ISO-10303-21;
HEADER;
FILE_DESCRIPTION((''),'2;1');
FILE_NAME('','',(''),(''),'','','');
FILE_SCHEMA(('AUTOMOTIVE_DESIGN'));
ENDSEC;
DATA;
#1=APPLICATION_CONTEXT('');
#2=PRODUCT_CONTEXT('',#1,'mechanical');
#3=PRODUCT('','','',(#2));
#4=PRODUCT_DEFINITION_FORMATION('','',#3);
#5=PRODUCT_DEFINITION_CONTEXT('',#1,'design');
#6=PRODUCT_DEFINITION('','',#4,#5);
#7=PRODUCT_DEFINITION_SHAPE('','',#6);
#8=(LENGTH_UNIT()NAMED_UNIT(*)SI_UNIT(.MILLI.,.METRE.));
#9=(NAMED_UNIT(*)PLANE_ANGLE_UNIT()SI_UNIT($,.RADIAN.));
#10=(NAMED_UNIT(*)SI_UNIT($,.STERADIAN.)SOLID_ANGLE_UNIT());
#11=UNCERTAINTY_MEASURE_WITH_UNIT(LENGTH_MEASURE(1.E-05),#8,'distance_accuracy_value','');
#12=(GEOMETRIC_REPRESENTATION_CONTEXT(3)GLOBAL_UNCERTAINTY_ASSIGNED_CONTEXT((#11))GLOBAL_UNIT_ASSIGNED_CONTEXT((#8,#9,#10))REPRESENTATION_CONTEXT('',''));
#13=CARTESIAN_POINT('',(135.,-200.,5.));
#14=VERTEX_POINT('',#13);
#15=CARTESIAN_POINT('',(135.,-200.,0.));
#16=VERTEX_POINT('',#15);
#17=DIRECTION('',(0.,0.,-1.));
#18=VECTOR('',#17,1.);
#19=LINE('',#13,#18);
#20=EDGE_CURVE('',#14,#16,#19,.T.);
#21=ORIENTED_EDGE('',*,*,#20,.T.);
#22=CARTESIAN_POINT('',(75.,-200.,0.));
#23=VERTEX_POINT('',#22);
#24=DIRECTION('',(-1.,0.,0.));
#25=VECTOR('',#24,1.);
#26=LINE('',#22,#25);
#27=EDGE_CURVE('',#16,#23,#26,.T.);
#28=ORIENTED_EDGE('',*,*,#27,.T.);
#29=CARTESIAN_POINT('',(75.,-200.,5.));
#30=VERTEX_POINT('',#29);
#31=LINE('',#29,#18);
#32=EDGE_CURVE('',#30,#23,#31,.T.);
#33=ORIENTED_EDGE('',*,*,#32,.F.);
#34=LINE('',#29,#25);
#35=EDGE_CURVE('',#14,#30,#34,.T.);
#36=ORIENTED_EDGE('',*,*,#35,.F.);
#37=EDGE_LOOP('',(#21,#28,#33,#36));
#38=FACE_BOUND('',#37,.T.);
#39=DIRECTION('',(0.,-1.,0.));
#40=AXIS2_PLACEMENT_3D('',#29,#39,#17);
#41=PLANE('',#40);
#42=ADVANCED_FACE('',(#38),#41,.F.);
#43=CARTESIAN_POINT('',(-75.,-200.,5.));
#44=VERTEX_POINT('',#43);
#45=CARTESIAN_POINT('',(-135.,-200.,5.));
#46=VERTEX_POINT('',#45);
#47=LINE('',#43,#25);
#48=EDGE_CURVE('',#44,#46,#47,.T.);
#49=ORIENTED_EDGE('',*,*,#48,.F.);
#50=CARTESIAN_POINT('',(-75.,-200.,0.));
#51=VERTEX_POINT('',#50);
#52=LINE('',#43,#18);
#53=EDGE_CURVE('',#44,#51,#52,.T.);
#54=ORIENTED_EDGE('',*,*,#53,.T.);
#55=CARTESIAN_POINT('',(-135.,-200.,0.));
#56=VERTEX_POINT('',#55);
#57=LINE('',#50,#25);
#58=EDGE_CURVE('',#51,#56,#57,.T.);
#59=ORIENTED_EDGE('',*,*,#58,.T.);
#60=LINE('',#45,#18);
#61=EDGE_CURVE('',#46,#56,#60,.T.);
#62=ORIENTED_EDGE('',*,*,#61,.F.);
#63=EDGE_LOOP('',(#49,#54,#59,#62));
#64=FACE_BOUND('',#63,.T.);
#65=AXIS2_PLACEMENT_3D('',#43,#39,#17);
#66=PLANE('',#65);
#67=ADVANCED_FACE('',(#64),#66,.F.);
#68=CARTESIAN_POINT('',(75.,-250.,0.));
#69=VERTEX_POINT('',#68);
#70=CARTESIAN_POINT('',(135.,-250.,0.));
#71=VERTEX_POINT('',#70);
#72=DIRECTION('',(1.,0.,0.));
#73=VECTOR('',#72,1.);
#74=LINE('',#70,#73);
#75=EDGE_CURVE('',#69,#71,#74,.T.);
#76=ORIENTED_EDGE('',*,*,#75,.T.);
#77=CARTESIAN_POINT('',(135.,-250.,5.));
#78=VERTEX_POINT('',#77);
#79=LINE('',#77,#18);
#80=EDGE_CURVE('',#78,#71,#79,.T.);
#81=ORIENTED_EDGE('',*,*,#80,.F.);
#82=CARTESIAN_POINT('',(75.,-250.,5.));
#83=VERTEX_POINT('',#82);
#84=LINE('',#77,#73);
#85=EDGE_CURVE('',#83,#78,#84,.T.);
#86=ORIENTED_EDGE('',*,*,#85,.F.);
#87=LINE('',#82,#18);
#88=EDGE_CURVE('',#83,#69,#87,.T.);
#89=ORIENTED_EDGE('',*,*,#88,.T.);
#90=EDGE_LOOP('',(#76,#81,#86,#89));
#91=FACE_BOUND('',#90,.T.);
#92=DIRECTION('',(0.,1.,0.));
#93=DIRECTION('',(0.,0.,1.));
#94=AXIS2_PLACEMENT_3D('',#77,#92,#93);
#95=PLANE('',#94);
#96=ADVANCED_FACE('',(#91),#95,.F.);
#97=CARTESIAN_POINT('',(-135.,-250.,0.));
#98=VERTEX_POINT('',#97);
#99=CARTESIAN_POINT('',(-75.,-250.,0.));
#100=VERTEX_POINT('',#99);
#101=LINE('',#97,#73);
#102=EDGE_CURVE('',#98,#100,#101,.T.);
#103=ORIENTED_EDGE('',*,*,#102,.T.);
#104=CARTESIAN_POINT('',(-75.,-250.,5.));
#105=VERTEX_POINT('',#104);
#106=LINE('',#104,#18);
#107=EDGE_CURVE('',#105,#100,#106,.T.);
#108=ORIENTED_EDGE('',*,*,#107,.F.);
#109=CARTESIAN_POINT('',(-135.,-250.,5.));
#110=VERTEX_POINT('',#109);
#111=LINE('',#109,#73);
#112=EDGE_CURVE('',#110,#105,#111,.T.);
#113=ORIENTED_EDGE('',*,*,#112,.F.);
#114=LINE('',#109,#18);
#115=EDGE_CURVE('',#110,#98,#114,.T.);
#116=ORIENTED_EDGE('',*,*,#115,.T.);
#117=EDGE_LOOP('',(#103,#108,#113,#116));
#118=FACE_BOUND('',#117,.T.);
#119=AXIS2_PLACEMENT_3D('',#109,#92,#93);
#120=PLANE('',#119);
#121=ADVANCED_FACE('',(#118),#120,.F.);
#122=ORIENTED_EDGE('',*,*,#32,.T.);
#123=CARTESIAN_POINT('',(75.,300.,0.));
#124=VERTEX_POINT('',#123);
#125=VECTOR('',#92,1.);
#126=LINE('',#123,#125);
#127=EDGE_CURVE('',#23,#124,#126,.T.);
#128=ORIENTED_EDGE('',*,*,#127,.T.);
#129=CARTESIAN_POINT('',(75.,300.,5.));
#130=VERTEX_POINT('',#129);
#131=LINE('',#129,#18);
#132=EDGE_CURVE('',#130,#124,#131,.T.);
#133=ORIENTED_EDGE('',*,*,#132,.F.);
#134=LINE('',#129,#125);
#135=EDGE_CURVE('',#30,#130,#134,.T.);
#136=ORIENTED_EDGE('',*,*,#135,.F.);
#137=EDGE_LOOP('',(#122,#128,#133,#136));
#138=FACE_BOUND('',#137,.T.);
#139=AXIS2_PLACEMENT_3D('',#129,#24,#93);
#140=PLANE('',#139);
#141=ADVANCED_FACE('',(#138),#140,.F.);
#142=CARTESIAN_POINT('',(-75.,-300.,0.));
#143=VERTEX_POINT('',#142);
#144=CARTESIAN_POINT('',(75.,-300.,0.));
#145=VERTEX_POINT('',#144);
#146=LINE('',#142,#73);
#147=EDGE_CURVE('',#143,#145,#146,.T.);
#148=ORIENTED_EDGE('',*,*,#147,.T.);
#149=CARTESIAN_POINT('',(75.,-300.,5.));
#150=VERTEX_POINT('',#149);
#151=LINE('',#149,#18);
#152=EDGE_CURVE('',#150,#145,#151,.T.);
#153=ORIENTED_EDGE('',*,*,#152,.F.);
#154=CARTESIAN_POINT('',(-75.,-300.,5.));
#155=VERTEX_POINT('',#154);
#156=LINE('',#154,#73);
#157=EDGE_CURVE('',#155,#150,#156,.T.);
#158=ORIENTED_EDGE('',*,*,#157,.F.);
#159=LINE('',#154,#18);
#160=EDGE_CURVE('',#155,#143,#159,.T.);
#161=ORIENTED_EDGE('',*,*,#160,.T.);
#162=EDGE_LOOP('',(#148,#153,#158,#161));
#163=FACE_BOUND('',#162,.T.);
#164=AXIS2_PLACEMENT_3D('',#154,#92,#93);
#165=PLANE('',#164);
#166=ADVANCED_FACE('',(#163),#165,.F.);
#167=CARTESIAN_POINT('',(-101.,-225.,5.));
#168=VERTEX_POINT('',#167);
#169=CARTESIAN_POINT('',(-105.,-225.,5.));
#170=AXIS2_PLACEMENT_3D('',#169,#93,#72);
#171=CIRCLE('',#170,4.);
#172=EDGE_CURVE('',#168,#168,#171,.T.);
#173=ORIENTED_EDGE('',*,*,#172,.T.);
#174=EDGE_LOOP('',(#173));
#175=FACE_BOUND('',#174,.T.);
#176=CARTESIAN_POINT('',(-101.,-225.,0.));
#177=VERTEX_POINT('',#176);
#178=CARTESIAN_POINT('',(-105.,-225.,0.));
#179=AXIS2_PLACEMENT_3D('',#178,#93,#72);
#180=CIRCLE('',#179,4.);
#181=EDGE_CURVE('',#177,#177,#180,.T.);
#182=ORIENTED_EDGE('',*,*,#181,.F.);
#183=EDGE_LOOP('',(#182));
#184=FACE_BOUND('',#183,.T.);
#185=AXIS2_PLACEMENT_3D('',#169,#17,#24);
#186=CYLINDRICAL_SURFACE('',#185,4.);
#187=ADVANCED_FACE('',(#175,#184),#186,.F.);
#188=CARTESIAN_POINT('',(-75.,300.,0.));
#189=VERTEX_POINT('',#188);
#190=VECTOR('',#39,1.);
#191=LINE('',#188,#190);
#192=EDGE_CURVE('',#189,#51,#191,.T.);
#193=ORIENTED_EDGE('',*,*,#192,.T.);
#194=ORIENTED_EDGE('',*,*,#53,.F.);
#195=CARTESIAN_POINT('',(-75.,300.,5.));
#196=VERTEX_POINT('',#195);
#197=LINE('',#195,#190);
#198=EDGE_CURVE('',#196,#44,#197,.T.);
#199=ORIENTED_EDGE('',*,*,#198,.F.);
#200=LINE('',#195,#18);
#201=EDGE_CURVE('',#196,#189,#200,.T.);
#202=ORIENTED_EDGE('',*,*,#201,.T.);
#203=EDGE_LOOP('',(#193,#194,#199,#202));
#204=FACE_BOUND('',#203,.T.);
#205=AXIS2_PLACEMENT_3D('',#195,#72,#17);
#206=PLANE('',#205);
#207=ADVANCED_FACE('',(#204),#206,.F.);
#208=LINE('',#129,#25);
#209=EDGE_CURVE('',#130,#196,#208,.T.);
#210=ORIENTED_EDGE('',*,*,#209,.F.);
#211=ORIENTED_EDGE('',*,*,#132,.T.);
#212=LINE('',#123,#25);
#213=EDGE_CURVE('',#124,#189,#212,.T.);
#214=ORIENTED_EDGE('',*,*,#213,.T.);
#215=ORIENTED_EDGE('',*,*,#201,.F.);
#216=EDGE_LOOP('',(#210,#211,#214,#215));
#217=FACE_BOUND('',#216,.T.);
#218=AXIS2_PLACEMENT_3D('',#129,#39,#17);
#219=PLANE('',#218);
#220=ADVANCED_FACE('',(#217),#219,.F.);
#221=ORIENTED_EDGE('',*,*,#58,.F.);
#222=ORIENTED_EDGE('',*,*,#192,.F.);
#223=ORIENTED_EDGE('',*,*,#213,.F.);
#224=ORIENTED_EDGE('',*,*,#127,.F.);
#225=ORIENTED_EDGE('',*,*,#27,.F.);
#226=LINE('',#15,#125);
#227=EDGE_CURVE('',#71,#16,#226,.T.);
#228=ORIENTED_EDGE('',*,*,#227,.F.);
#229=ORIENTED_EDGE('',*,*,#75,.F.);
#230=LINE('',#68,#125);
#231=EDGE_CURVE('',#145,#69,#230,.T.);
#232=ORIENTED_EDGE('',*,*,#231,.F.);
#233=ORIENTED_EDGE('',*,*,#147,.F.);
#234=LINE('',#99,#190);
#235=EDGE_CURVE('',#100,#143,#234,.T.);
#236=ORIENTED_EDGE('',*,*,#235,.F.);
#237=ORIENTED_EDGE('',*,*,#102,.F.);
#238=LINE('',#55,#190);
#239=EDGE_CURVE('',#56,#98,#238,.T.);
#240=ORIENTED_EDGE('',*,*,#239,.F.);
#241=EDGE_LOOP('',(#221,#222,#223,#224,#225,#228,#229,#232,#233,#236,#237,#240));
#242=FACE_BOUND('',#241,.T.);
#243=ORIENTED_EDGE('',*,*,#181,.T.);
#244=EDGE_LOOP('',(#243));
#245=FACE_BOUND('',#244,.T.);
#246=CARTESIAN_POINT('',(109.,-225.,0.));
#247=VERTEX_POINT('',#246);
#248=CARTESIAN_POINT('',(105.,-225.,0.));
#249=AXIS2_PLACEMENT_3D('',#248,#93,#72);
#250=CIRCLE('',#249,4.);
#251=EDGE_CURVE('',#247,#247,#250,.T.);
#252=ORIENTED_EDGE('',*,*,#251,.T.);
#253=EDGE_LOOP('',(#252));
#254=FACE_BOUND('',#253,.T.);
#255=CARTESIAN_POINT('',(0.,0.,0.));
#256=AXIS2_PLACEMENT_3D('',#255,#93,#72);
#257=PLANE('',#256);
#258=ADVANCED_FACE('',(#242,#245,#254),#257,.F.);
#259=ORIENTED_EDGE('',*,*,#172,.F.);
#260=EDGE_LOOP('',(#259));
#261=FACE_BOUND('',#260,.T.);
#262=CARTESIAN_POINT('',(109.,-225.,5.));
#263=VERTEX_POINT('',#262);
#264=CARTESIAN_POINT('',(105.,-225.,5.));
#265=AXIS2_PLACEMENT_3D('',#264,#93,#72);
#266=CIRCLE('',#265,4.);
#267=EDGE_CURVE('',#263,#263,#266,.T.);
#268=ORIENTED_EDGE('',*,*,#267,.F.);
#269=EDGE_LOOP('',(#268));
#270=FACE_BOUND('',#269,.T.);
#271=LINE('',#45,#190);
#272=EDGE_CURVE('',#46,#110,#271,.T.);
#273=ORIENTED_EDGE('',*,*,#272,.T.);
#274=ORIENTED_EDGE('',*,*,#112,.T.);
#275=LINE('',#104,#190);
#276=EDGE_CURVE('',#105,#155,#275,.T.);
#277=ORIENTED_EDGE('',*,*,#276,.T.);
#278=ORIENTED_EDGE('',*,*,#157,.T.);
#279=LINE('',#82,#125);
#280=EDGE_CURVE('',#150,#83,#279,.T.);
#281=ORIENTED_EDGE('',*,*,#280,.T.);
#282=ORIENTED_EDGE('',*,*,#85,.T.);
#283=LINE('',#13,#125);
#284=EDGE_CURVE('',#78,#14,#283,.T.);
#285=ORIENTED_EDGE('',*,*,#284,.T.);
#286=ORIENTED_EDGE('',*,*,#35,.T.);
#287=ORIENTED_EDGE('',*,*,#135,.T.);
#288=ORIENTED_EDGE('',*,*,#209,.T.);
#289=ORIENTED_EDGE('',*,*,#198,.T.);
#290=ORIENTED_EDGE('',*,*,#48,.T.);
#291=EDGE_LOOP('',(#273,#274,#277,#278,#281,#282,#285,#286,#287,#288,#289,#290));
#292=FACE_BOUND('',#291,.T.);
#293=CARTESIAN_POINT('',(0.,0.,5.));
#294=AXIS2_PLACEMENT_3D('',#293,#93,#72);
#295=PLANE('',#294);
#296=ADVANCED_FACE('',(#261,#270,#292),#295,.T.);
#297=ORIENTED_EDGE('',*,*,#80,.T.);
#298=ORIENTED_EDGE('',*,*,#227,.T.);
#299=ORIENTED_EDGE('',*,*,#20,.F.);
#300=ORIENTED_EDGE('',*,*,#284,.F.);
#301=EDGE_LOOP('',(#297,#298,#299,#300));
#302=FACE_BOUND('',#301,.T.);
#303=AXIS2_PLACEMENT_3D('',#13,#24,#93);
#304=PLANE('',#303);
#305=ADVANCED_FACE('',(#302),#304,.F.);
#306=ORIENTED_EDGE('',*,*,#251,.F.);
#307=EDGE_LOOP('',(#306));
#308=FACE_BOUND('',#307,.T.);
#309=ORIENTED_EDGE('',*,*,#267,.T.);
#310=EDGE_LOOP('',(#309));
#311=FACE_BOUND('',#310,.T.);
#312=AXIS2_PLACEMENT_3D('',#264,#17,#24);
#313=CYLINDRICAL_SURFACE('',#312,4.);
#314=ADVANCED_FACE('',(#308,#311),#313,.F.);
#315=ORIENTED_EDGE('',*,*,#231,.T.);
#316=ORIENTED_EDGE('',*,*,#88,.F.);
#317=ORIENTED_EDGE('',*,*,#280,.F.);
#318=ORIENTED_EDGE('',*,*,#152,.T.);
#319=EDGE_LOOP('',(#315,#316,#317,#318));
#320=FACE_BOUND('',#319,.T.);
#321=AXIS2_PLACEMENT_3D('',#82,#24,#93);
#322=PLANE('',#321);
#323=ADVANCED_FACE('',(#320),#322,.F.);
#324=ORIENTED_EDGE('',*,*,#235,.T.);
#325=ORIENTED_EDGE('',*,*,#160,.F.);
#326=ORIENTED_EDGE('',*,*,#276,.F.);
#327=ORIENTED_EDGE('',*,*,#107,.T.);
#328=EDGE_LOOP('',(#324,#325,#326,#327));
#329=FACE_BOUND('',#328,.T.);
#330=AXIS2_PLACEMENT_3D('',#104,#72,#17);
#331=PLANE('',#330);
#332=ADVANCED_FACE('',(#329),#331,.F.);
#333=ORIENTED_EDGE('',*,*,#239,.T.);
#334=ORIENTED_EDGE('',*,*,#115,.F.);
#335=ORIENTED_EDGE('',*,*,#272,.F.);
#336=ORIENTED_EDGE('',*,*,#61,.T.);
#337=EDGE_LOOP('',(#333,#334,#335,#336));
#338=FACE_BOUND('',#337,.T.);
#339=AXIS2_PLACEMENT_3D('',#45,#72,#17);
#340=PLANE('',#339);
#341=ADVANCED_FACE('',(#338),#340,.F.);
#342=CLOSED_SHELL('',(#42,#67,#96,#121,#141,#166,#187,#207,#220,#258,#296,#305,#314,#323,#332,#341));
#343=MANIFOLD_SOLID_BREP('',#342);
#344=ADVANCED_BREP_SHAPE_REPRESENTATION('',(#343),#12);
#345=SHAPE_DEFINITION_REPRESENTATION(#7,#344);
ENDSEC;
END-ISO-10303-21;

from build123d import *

# Parameters (mm, degrees)
SKETCH2_R           = 4
BOSS_EXTRUDE1_DEPTH = 5


with BuildPart() as part:
    # Sketch2 → Boss-Extrude1 (new body)
    with BuildSketch(Plane.XY):
        Polygon((75, 300), (75, -200), (135, -200), (135, -250), (75, -250), (75, -300), (-75, -300), (-75, -250), (-135, -250), (-135, -200), (-75, -200), (-75, 300), align=None)
        with Locations((-105, -225)):
            Circle(SKETCH2_R, mode=Mode.SUBTRACT)
        with Locations((105, -225)):
            Circle(SKETCH2_R, mode=Mode.SUBTRACT)
    extrude(amount=BOSS_EXTRUDE1_DEPTH)


solid = part.part
